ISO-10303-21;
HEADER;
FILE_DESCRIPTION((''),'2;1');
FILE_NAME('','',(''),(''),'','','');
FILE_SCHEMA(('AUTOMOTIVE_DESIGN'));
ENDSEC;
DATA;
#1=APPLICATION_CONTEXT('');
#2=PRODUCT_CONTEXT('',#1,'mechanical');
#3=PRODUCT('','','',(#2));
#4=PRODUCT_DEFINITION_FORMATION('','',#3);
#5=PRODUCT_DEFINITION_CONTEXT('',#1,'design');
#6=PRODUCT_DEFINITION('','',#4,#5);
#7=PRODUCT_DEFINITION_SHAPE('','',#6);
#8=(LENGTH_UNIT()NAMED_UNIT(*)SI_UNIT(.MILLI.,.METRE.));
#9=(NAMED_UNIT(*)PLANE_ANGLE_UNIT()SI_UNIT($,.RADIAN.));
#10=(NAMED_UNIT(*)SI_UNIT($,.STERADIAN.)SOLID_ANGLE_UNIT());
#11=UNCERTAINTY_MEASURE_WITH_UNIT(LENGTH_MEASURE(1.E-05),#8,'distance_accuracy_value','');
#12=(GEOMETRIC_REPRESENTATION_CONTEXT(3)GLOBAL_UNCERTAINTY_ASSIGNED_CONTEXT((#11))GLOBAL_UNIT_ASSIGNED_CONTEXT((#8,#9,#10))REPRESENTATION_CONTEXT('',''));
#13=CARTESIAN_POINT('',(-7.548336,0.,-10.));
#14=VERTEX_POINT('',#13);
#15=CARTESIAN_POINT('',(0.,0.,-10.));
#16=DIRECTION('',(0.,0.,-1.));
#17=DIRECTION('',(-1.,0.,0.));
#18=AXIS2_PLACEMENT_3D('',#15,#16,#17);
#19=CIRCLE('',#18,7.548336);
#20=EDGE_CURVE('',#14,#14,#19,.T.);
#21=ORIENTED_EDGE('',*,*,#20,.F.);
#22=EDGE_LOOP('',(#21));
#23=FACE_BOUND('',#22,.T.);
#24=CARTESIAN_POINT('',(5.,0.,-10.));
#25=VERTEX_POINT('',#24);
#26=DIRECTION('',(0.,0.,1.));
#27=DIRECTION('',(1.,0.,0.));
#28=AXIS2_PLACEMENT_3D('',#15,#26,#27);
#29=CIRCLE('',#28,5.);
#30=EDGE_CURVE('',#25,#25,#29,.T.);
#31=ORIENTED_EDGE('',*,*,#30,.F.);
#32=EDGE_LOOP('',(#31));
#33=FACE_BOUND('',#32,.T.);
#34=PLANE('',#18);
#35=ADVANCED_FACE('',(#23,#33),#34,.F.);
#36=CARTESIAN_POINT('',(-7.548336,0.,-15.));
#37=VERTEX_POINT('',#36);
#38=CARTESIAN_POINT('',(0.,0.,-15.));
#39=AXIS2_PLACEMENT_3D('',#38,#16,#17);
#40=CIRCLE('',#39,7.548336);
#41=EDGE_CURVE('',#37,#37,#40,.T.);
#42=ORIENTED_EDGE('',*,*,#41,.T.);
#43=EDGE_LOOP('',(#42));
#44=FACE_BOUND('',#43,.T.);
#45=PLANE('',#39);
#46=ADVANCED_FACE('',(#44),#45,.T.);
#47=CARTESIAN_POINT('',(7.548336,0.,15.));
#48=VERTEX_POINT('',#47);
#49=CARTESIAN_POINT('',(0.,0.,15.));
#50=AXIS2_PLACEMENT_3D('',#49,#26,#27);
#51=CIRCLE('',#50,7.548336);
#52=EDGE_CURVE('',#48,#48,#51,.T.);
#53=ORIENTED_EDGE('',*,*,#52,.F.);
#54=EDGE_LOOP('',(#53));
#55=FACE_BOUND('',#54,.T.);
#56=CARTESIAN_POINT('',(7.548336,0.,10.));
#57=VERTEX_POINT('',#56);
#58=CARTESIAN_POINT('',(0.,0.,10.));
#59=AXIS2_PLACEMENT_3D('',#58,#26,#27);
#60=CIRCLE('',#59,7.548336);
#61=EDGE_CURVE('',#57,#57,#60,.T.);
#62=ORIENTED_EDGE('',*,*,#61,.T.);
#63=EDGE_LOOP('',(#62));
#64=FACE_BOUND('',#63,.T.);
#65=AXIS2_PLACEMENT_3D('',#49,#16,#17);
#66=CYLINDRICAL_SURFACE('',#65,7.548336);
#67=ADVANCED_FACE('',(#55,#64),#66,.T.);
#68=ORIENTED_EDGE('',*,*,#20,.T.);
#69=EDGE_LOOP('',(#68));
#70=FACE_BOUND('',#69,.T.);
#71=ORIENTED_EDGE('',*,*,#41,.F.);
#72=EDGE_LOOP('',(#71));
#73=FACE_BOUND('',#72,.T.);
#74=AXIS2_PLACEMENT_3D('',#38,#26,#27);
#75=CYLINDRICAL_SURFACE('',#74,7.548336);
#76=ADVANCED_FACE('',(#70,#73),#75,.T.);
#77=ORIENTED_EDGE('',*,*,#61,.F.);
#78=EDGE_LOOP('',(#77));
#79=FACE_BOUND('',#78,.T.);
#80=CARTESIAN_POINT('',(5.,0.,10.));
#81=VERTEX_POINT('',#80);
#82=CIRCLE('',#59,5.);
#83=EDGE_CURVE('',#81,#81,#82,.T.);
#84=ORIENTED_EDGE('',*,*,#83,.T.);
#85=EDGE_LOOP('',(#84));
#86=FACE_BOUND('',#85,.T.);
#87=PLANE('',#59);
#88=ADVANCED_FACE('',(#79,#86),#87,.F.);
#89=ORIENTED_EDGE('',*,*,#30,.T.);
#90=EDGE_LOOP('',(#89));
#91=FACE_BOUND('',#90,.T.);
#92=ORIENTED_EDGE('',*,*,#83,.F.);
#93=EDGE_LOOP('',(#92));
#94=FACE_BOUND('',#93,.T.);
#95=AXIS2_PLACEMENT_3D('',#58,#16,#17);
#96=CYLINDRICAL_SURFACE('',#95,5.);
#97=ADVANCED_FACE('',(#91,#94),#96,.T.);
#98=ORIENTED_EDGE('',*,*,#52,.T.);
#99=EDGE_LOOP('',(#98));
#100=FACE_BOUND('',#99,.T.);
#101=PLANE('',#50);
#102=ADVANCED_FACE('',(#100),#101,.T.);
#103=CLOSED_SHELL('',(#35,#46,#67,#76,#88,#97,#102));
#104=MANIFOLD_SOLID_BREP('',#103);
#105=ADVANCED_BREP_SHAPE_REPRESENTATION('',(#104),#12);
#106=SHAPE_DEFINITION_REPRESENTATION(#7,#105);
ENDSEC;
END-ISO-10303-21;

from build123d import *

# Parameters (mm, degrees)
SKETCH2_R           = 5
BOSS_EXTRUDE1_DEPTH = 10
SKETCH3_R           = 7.548336158
BOSS_EXTRUDE2_DEPTH = 5
BOSS_EXTRUDE3_START = 5
SKETCH4_R           = 7.548336158
BOSS_EXTRUDE3_DEPTH = 5


with BuildPart() as part:
    # Sketch2 → Boss-Extrude1 (new, symmetric)
    with BuildSketch(Plane.XY):
        Circle(SKETCH2_R)
    extrude(amount=BOSS_EXTRUDE1_DEPTH, both=True)

    # Sketch3 → Boss-Extrude2 (add)
    with BuildSketch(Plane.XY.offset(10)):
        Circle(SKETCH3_R)
    extrude(amount=BOSS_EXTRUDE2_DEPTH)

    # Sketch4 → Boss-Extrude3 (add)
    with BuildSketch(Plane(origin=(0, 0, -10), x_dir=(-1, 0, 0), z_dir=(0, 0, -1)).offset(BOSS_EXTRUDE3_START)):
        with Locations(Location((0, 0, 0), (0, 0, 180))):
            Circle(SKETCH4_R)
    extrude(amount=-BOSS_EXTRUDE3_DEPTH)


solid = part.part
